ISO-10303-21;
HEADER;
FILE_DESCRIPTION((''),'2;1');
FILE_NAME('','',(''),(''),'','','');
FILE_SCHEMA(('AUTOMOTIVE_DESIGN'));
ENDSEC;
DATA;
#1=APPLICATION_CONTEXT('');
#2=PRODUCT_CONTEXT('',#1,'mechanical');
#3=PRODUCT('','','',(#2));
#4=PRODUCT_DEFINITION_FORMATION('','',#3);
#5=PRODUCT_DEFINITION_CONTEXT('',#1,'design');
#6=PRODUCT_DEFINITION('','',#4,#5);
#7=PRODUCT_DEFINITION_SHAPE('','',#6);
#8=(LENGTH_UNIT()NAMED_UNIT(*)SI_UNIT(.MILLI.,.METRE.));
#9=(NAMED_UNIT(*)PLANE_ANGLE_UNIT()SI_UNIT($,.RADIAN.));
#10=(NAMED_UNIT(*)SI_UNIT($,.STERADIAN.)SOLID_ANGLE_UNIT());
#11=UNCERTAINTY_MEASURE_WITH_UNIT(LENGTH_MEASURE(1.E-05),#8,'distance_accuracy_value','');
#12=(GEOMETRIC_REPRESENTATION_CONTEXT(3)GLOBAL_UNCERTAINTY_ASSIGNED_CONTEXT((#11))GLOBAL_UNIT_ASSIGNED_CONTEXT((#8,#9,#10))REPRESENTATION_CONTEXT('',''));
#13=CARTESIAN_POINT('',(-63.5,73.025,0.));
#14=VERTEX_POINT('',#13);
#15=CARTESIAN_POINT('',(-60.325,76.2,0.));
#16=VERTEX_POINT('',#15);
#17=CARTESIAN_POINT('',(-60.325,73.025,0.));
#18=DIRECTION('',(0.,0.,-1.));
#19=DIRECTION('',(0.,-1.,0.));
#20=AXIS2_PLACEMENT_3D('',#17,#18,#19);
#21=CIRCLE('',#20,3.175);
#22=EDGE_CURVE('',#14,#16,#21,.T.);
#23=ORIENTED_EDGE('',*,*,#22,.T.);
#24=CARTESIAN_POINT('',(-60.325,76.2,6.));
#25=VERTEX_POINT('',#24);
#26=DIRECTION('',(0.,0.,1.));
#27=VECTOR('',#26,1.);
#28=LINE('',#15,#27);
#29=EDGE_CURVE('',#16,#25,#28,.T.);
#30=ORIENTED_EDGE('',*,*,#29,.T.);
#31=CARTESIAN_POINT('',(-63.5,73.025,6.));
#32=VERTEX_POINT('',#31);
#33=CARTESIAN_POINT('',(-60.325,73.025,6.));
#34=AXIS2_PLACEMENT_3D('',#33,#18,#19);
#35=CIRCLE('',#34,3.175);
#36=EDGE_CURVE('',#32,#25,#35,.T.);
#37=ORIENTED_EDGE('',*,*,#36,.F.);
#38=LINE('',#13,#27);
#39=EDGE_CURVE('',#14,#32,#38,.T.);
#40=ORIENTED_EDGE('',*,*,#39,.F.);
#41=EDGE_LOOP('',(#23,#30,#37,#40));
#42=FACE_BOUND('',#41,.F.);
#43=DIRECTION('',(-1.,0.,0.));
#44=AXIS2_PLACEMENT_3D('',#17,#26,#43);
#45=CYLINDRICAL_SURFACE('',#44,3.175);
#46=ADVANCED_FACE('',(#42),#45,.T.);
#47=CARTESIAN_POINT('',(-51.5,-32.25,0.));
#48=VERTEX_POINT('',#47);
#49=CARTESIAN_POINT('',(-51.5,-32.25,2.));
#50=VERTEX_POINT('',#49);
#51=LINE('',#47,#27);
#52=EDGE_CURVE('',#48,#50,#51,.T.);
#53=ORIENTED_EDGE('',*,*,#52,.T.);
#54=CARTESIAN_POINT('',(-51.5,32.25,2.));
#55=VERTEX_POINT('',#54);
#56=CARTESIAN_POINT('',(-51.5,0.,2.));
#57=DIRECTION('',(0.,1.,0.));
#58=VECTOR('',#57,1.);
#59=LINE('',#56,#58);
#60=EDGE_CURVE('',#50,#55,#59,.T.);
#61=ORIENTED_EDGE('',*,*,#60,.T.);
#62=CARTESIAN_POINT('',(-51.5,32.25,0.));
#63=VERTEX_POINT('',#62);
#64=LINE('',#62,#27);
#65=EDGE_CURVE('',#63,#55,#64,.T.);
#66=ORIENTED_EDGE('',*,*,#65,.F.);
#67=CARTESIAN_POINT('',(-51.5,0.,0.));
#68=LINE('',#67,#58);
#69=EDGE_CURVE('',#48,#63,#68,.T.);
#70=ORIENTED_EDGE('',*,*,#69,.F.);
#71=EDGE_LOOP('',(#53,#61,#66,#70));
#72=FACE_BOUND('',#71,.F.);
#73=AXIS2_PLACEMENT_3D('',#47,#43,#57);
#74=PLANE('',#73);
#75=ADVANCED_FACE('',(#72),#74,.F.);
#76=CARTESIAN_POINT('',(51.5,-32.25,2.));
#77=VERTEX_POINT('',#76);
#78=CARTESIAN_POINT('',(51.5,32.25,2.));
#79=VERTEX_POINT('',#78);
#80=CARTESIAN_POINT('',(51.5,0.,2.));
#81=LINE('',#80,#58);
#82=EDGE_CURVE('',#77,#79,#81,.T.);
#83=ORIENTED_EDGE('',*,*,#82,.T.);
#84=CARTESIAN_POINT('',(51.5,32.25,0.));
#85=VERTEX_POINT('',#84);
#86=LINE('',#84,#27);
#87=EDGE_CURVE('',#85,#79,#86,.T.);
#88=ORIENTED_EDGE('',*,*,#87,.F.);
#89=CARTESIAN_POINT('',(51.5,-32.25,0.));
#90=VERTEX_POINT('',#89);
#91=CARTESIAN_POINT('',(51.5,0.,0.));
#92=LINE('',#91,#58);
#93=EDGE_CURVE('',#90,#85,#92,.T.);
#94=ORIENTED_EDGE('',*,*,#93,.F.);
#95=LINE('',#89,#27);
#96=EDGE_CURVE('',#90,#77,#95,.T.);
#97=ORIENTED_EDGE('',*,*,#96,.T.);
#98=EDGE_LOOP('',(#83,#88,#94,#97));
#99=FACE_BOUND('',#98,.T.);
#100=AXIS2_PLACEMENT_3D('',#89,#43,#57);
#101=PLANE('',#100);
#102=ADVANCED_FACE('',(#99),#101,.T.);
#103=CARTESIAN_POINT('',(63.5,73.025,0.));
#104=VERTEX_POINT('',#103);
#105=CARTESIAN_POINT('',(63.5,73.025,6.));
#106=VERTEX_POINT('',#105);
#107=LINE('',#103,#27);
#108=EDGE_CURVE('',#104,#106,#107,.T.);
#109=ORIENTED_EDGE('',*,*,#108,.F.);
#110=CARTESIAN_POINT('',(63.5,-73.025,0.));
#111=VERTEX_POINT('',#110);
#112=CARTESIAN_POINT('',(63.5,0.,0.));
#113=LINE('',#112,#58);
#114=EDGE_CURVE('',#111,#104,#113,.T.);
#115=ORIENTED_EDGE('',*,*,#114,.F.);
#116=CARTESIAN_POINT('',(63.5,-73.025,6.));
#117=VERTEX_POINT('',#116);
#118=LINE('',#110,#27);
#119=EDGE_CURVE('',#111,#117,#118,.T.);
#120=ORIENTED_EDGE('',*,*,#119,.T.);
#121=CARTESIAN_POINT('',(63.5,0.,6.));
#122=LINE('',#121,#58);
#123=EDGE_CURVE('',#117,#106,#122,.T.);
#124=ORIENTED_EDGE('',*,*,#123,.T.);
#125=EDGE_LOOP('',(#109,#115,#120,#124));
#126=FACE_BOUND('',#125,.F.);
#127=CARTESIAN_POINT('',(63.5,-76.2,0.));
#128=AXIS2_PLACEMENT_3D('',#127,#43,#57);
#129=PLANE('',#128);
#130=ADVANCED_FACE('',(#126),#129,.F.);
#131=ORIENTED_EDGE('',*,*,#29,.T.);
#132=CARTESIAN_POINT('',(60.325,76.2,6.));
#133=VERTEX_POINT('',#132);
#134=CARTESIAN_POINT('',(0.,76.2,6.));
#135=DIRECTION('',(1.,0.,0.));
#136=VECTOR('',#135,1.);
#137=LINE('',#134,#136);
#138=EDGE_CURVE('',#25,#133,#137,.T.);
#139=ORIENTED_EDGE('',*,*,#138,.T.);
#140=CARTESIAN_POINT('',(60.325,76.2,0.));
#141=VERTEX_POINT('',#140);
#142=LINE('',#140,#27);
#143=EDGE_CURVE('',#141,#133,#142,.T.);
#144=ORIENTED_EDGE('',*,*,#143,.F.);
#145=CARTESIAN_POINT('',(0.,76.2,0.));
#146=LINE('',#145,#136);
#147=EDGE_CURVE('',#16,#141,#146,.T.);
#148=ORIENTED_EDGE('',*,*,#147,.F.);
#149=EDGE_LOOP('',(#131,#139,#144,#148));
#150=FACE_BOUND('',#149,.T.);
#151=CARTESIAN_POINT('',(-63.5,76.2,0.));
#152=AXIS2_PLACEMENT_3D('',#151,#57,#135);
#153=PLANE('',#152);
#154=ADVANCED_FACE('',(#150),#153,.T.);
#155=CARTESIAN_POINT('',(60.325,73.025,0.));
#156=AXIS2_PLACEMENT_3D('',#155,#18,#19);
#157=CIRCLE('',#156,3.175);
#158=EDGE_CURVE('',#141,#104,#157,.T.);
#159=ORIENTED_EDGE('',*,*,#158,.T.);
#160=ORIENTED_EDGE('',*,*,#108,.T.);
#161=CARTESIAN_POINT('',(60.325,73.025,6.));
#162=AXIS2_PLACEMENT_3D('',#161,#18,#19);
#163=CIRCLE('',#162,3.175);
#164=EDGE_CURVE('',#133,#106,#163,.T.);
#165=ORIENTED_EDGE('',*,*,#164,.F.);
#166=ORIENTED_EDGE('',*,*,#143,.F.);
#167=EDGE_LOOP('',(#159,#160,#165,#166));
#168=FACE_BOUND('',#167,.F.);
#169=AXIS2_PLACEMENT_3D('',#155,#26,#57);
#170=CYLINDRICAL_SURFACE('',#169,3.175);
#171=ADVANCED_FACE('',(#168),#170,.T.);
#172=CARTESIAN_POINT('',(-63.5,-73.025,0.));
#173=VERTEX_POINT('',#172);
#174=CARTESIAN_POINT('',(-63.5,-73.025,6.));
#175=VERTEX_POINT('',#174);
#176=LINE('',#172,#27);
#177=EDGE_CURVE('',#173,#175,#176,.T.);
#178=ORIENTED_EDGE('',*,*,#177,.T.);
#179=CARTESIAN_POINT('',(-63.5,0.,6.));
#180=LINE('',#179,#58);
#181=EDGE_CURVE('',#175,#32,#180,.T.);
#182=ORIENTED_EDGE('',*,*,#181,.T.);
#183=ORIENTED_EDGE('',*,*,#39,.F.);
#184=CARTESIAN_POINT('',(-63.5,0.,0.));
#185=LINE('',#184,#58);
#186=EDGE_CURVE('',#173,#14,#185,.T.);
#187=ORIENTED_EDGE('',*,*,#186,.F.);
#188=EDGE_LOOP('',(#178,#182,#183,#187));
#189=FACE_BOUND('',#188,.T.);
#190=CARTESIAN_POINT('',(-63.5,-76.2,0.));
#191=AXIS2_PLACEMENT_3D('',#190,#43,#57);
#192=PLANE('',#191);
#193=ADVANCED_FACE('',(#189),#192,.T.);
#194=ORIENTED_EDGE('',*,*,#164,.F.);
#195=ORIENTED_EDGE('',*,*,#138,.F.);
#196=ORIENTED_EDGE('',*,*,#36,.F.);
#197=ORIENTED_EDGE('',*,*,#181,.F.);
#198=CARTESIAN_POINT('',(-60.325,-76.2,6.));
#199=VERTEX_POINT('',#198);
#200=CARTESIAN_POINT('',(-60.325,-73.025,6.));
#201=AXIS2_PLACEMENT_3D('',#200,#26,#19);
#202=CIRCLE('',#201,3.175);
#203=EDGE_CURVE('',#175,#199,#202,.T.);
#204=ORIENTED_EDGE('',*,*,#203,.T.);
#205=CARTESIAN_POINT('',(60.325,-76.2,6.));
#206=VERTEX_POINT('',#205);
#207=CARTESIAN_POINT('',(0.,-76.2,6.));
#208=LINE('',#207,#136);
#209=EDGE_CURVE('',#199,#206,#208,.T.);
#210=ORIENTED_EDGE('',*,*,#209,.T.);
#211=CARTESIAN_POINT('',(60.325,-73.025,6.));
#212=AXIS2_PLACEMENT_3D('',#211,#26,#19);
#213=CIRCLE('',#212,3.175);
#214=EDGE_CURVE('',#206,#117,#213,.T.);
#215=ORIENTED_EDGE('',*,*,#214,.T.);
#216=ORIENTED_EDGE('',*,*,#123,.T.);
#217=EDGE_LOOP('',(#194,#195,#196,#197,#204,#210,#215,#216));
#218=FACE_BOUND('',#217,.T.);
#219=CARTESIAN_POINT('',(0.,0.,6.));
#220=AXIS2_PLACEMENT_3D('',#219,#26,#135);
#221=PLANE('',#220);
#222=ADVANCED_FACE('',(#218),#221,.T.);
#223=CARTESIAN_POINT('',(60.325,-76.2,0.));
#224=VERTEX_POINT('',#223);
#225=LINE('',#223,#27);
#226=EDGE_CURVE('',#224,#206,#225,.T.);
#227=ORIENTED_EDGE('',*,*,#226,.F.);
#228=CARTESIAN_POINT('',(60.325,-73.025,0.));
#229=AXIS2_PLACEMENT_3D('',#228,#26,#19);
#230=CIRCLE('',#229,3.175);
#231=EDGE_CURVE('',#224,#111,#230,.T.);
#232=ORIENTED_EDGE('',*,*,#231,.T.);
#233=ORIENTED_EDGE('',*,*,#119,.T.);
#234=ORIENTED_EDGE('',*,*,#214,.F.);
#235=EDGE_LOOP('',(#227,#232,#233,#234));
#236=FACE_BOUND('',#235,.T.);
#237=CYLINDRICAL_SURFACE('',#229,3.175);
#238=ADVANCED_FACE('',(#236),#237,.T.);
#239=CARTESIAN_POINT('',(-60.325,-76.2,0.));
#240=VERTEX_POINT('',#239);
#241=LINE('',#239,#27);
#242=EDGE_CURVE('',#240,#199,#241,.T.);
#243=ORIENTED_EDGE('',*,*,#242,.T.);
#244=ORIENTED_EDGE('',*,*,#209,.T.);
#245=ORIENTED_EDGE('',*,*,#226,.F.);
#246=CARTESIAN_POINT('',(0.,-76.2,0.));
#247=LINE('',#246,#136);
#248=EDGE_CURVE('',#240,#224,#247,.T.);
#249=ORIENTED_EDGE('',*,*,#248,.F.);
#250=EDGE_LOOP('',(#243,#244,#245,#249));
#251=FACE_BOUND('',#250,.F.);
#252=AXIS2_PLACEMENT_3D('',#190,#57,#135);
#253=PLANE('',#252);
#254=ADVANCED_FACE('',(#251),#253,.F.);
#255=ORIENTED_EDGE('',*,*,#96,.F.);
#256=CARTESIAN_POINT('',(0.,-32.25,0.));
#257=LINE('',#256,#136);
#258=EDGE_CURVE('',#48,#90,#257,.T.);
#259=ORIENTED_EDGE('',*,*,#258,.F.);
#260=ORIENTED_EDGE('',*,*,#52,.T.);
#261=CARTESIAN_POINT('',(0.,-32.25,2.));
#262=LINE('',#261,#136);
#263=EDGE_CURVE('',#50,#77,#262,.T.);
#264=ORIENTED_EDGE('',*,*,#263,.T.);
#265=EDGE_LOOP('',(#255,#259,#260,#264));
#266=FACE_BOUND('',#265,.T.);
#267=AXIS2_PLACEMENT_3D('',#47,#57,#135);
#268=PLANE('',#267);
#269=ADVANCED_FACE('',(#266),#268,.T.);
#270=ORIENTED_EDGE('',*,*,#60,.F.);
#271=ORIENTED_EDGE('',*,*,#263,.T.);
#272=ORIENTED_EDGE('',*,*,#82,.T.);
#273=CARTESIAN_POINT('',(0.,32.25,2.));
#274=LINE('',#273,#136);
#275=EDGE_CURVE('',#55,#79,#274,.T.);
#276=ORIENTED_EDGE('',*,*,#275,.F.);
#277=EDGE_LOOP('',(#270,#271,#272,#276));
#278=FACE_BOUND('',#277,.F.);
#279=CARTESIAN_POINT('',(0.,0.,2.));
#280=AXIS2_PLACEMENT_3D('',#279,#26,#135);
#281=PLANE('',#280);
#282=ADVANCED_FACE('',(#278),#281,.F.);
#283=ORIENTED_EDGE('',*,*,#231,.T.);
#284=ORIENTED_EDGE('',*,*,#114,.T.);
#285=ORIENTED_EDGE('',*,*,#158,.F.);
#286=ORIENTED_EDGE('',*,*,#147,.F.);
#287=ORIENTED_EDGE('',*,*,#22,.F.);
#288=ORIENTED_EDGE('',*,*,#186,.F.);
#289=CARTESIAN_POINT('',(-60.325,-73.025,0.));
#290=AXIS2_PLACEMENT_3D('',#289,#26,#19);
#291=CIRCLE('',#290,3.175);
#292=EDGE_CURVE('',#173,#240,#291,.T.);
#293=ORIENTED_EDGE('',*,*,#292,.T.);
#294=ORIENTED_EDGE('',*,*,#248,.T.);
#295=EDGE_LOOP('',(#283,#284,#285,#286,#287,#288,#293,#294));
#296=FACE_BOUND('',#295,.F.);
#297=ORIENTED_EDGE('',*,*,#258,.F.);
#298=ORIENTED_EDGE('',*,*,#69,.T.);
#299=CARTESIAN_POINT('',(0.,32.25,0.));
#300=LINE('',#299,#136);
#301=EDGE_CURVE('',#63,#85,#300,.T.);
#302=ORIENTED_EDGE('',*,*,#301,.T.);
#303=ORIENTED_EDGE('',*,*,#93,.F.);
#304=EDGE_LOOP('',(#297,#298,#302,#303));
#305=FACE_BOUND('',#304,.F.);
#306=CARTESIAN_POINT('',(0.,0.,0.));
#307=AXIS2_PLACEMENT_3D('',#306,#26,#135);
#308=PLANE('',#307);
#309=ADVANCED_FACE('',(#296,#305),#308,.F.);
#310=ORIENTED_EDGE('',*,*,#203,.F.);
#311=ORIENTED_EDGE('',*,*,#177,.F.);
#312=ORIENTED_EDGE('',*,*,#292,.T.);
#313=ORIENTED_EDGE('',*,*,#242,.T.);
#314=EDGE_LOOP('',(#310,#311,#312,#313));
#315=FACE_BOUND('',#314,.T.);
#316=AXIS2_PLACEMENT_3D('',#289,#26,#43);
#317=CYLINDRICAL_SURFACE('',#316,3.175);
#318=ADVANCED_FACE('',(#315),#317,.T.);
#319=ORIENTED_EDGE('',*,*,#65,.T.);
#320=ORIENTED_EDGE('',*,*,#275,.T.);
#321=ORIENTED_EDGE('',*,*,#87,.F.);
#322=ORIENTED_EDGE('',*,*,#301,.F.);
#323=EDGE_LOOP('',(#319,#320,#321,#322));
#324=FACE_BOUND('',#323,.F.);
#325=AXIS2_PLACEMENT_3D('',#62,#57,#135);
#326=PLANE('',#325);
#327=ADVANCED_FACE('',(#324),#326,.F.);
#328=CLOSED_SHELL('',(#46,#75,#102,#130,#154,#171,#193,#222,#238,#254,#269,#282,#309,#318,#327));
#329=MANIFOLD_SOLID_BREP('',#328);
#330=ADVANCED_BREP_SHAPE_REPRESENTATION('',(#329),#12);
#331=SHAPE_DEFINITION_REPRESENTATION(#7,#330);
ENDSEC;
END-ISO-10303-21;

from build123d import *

# Parameters (mm, degrees)
F0_W     = 127
F0_H     = 152.4
F0_W_2   = 103
F0_H_2   = 64.5
F1_DEPTH = 6
F2_DEPTH = 2
F3_R     = 3.175


with BuildPart() as f1:
    # F0 (on Top) → F1 (new body)
    with BuildSketch(Plane.XY):
        Rectangle(F0_W, F0_H)
        Rectangle(F0_W_2, F0_H_2, mode=Mode.SUBTRACT)
        Rectangle(F0_W_2, F0_H_2)
    extrude(amount=F1_DEPTH)

    # F0 (on Top) → F2 (cut)
    with BuildSketch(Plane.XY):
        Rectangle(F0_W_2, F0_H_2)
    extrude(amount=F2_DEPTH, mode=Mode.SUBTRACT)

    # F3
    f3_edges = [f1.edges().sort_by_distance(p)[0] for p in [
        (63.5, -76.2, 3),
        (-63.5, -76.2, 3),
        (63.5, 76.2, 3),
        (-63.5, 76.2, 3),
    ]]
    fillet(f3_edges, radius=F3_R)


solid = f1.part
